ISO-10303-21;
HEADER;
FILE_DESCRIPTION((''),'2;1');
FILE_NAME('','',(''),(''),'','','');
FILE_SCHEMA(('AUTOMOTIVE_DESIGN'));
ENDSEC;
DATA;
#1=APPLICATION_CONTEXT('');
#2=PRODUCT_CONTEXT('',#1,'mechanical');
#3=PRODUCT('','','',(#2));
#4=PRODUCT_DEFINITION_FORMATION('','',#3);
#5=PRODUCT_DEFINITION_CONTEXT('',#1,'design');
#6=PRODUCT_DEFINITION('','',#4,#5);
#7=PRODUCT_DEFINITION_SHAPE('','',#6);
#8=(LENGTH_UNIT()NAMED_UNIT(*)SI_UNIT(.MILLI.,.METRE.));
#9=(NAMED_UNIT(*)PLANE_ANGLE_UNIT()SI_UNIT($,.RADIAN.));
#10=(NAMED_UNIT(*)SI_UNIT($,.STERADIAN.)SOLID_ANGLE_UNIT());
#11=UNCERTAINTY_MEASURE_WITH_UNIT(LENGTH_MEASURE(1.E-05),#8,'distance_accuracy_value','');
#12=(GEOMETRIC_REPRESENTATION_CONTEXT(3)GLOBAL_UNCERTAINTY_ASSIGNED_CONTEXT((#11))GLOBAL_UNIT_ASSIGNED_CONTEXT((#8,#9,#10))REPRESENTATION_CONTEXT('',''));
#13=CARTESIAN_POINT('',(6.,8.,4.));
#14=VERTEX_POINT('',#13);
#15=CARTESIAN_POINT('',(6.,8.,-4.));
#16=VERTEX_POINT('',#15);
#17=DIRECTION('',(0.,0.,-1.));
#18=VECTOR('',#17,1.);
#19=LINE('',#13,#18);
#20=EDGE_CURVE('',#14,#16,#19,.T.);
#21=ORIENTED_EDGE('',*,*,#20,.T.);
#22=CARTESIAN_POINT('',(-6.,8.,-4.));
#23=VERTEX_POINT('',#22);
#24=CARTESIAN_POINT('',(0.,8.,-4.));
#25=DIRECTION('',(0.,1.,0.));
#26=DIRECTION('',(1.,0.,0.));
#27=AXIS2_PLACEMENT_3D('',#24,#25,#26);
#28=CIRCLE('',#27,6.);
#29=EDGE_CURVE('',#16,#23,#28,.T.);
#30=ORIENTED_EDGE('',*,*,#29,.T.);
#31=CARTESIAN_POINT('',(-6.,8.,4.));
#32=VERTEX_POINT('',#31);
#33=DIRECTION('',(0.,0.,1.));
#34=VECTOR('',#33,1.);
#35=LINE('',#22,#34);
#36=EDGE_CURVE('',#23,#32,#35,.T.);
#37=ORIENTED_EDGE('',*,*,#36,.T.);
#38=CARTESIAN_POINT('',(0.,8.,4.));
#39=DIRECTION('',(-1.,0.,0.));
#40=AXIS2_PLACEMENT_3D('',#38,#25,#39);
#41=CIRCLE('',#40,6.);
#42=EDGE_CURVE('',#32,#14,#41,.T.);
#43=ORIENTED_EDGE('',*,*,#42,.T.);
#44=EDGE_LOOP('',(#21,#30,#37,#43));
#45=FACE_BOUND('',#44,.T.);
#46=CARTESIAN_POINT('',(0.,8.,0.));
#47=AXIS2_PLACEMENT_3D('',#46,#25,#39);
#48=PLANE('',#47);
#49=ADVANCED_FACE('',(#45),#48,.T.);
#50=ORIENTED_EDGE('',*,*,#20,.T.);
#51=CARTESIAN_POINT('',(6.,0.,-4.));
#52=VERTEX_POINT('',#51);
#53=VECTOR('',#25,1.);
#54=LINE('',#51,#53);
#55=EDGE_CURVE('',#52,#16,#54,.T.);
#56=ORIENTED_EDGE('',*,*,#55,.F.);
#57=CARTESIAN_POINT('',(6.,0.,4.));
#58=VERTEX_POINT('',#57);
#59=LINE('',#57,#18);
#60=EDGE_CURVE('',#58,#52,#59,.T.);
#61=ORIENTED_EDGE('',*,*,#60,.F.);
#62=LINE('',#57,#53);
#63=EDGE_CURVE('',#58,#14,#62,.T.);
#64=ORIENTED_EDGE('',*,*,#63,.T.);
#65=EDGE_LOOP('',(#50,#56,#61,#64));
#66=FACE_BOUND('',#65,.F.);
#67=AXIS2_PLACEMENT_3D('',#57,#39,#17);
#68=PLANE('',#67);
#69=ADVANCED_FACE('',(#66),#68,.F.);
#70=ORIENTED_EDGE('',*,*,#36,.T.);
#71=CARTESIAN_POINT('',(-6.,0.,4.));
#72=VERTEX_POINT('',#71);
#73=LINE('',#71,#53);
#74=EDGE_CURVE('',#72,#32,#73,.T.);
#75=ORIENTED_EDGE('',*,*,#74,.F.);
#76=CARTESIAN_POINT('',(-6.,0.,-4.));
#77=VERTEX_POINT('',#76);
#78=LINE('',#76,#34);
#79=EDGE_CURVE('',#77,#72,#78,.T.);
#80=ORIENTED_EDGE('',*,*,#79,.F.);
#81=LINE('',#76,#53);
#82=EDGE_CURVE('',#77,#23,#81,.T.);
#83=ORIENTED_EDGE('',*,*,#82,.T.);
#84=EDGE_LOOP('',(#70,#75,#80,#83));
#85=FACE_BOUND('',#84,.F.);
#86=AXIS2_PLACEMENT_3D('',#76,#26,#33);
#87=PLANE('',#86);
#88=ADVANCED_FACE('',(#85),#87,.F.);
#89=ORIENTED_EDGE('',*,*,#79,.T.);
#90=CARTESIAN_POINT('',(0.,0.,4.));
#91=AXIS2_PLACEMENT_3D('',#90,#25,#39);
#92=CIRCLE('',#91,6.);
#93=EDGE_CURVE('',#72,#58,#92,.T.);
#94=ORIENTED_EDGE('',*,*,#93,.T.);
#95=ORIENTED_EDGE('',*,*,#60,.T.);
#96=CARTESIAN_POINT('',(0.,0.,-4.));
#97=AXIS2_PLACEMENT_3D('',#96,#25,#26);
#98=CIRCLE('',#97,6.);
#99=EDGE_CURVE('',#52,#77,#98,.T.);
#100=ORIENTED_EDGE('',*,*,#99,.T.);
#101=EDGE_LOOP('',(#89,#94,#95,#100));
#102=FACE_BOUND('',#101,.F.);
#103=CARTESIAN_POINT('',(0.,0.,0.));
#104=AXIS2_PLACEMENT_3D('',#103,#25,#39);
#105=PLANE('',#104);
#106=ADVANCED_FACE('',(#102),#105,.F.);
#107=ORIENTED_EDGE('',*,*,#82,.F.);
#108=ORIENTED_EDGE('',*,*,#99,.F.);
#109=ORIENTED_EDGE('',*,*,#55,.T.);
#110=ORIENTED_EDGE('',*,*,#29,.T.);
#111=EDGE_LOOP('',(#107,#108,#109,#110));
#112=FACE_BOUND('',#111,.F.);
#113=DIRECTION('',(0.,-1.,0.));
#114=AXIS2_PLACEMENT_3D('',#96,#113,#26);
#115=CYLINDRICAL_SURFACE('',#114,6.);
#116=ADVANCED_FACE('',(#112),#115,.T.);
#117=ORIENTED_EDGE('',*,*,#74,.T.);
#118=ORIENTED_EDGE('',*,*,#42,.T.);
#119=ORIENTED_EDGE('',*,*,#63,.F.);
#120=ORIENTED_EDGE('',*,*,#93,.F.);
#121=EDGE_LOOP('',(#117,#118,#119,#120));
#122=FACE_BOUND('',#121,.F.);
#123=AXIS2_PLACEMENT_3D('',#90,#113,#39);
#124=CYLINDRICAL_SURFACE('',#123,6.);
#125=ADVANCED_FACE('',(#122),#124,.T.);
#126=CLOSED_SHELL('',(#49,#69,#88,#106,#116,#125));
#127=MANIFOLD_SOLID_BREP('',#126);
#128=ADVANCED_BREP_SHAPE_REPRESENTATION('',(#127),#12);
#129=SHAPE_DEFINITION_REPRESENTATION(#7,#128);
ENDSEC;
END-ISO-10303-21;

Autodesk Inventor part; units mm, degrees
ref_plane "YZ Plane" through (0, 0, 0) normal (1, 0, 0) x (0, 1, 0)
ref_plane "XZ Plane" through (0, 0, 0) normal (0, 1, 0) x (-1, 0, 0)
ref_plane "XY Plane" through (0, 0, 0) normal (0, 0, 1) x (1, 0, 0)
sketch "Skizze1" plane through (0, 0, 0) normal (0, 1, 0) x (-1, 0, 0)
  line L0 (0, 4) -> (0, -4) construction
  line L1 (-6, 4) -> (-6, -4)
  line L2 (6, -4) -> (6, 4)
  arc A0 (6, 4) -> (-6, 4) centre (0, 4) ccw
  arc A1 (-6, -4) -> (6, -4) centre (0, -4) ccw
  line L3 (0, -12.6) -> (0, 12.6) construction
  point P0 (0, 0)
  point P1 (0, 0)
  point P2 (0, 10)
  point P3 (0, -10)
  dimension "d1" = 12
  dimension "d4" = 20
extrude "Extrusion1" add sketch "Skizze1" along normal blind 8
equation "\"d1\" = Passfeder_width"
equation "\"d4\" = Passfeder_length"
equation "\"d2\" = Passfeder_height"
equation "\"Passfeder_height\" = 8"
equation "\"Passfeder_width\" = 12"
equation "\"Passfeder_length\" = 20"
properties part number "Passfeder16x8x8"
